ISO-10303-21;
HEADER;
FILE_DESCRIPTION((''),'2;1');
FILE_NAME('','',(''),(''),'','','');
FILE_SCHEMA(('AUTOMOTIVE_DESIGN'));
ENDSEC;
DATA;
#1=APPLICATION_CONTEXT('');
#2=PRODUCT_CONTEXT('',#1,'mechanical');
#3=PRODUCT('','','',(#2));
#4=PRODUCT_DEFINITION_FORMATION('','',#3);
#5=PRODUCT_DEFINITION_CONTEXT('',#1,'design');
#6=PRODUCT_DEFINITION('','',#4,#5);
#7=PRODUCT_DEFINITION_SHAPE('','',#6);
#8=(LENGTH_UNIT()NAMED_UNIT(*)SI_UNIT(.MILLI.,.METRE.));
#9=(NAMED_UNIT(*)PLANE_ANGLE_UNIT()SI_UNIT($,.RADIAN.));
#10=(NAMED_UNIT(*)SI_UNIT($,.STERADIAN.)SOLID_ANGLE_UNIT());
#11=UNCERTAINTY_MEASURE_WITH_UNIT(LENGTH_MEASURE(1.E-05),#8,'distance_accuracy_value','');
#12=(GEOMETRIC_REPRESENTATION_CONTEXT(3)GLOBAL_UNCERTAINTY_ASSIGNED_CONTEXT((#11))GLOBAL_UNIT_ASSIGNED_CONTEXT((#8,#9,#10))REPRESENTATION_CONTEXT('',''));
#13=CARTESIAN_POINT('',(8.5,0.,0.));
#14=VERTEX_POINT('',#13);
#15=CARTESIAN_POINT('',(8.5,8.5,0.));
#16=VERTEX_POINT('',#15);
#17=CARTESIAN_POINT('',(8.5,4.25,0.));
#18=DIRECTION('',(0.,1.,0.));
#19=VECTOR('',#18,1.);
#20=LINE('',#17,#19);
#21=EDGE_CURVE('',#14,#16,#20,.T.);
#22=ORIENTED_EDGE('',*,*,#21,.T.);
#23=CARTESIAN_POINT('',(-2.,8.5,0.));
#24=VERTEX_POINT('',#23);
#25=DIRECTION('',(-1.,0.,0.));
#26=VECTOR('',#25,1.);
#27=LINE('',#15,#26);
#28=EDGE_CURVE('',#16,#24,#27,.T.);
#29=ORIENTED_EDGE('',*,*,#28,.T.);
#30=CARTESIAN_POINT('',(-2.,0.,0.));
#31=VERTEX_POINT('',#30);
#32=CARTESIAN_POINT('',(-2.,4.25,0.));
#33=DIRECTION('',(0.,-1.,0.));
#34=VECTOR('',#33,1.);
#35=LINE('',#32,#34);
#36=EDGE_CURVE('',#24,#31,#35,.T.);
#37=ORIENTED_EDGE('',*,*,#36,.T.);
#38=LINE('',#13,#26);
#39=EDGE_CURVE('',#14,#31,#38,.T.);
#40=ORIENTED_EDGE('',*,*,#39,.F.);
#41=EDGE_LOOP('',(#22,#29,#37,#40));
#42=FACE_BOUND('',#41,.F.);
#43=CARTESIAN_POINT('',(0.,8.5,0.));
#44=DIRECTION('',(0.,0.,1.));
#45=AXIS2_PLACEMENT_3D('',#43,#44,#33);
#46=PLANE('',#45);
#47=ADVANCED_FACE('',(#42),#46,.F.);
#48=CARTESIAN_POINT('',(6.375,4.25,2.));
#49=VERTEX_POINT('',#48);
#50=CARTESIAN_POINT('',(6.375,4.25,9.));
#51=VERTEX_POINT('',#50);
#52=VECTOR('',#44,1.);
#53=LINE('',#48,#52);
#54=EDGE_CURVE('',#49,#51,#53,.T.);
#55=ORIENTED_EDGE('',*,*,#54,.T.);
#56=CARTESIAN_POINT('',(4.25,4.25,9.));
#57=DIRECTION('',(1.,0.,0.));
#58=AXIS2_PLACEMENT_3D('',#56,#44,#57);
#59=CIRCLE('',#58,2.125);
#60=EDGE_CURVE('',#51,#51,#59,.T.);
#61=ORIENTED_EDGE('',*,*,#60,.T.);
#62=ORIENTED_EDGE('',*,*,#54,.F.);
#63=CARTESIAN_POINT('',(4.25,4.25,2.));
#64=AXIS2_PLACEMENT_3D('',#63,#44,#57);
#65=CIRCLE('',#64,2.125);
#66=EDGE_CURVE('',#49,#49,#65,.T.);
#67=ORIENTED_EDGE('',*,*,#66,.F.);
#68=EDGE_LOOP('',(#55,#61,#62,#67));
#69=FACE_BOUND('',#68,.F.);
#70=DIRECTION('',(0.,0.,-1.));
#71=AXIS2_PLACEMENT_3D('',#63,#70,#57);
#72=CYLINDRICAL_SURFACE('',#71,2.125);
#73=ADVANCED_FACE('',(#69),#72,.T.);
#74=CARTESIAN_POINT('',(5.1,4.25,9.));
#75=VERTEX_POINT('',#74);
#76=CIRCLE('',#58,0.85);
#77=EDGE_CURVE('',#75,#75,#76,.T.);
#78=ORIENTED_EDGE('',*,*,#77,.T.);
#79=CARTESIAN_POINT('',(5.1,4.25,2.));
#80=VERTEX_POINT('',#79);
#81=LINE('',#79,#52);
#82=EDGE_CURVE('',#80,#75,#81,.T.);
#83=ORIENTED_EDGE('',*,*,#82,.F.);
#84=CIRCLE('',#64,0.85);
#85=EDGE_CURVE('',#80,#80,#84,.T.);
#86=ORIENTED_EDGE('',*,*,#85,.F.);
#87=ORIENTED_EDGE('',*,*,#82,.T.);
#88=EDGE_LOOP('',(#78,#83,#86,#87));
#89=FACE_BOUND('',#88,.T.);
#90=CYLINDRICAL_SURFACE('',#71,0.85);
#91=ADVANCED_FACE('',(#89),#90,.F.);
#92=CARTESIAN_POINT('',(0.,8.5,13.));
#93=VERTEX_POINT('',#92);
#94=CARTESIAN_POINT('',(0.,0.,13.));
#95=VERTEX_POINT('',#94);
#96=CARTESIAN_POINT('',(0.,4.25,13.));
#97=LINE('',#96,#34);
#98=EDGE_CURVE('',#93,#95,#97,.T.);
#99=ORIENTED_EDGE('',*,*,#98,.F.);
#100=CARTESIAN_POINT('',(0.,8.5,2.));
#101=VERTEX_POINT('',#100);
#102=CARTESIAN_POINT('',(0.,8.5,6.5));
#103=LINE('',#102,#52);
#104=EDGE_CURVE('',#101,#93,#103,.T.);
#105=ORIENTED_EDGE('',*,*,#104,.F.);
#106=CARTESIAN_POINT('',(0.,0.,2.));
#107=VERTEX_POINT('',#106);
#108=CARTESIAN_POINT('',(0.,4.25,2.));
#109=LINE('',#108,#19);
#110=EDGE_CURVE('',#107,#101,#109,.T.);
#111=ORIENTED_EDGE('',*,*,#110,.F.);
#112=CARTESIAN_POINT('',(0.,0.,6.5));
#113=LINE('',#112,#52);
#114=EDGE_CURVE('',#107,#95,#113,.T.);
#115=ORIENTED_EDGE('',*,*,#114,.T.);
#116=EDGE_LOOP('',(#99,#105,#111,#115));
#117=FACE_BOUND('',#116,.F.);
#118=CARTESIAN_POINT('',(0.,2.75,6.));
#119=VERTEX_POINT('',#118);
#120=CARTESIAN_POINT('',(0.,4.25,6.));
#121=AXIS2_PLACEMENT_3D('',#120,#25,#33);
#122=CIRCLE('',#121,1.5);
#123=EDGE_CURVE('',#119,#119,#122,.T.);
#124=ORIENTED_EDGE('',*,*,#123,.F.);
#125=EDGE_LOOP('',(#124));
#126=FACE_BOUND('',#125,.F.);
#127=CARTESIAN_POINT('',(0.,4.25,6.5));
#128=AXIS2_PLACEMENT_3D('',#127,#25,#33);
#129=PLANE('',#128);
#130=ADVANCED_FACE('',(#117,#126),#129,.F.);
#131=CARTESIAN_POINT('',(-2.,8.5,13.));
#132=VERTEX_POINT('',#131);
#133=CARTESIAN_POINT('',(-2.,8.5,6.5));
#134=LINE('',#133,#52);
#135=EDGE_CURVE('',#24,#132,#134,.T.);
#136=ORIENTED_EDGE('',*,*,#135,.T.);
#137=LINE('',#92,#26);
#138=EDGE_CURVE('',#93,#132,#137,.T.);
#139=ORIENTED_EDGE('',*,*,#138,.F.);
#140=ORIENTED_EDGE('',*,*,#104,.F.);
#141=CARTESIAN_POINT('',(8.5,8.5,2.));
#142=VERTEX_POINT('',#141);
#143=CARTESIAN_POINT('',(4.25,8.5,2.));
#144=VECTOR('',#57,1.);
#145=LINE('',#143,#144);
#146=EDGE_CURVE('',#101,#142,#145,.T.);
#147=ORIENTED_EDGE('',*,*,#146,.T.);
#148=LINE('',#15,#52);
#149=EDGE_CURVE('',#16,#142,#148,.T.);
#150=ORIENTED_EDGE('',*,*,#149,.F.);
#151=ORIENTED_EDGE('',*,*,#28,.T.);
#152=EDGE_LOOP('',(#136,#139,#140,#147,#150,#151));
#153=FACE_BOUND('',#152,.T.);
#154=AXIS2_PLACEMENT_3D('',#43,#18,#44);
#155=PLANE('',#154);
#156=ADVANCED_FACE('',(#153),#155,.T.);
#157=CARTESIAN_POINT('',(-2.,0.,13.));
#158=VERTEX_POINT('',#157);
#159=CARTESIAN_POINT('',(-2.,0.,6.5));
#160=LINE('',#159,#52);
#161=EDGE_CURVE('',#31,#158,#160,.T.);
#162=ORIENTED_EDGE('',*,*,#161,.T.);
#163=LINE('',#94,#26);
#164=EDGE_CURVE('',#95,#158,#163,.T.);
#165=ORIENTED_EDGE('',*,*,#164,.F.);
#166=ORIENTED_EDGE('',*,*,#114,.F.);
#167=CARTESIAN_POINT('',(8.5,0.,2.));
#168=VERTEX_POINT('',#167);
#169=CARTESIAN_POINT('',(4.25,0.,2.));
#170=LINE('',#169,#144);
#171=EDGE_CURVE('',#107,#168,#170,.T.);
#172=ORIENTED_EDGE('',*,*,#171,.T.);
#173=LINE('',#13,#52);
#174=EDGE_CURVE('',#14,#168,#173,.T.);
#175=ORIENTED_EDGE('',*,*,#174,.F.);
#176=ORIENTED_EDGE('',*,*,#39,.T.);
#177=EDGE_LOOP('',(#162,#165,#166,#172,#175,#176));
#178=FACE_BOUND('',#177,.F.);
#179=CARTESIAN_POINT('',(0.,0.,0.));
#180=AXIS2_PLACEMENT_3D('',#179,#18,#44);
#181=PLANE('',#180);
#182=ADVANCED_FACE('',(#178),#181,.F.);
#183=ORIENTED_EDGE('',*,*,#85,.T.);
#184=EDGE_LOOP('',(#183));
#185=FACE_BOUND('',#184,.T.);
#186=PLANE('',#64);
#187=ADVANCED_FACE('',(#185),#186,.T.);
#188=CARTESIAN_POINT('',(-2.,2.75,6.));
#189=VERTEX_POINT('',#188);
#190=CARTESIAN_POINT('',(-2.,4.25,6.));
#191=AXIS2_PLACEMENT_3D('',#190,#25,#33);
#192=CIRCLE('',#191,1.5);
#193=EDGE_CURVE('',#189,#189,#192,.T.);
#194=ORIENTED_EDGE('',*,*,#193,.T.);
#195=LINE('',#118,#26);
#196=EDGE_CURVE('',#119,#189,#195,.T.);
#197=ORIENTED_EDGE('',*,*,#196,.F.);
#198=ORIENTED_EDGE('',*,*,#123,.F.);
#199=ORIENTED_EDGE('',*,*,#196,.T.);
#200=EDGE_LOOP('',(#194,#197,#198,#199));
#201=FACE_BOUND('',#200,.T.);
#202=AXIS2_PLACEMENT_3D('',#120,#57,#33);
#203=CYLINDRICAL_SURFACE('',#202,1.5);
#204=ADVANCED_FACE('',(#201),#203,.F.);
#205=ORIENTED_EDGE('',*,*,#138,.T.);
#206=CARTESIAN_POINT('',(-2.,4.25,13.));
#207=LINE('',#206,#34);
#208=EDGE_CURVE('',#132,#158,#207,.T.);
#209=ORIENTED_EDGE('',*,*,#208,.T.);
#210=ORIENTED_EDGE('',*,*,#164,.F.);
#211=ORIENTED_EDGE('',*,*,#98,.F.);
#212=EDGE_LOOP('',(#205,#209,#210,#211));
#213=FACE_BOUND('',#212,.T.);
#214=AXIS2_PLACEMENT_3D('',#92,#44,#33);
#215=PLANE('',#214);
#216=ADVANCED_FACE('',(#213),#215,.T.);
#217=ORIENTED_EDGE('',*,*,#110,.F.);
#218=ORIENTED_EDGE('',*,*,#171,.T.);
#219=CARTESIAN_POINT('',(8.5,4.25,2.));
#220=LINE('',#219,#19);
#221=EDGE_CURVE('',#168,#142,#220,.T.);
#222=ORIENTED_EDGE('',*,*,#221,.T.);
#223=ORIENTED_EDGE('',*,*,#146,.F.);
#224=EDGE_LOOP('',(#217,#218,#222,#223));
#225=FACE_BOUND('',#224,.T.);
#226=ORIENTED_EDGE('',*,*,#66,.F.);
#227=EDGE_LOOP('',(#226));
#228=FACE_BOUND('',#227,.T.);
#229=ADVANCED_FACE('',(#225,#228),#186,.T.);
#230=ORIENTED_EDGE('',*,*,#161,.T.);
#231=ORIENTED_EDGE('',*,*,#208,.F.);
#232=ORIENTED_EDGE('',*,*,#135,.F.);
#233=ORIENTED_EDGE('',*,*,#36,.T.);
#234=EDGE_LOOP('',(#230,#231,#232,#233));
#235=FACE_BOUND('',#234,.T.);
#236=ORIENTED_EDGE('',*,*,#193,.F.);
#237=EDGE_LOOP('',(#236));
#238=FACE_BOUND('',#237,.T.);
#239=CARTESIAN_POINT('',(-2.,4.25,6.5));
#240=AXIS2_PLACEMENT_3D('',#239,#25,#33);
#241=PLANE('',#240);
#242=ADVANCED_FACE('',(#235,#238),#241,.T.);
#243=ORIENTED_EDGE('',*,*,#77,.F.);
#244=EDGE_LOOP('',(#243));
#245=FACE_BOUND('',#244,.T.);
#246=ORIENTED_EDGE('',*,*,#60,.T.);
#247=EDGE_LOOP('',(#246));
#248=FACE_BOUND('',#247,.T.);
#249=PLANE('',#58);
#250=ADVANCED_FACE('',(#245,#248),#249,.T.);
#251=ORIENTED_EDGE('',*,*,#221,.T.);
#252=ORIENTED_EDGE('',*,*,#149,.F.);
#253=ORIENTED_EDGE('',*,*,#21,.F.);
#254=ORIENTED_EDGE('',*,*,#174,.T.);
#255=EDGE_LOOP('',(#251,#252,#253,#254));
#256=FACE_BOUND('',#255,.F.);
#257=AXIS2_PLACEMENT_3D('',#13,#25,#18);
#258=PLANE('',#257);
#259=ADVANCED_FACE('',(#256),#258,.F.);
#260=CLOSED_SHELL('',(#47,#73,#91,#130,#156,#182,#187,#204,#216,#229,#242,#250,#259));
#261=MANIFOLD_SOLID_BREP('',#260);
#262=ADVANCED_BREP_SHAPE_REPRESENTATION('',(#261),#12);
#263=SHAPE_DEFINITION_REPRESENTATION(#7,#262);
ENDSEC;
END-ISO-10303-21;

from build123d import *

# Parameters (mm, degrees)
SKETCH007_W   = 8.5
SKETCH007_H   = 8.5
PAD005_DEPTH  = 2
SKETCH008_R   = 2.125
SKETCH008_R_2 = 0.85
PAD006_DEPTH  = 7
SKETCH009_W   = 8.5
SKETCH009_H   = 13
SKETCH009_R   = 1.5
PAD007_DEPTH  = 2


with BuildPart() as part:
    # Sketch007 → Pad005 (new body)
    with BuildSketch(Plane.XY):
        with Locations((4.25, 4.25)):
            Rectangle(SKETCH007_W, SKETCH007_H)
    extrude(amount=PAD005_DEPTH)

    # Sketch008 (on Face6 of Pad005) → Pad006 (join)
    with BuildSketch(Plane.XY.offset(2)):
        with Locations((4.25, 4.25)):
            Circle(SKETCH008_R)
        with Locations((4.25, 4.25)):
            Circle(SKETCH008_R_2, mode=Mode.SUBTRACT)
    extrude(amount=PAD006_DEPTH)

    # Sketch009 (on Face2 of Pad006) → Pad007 (join)
    with BuildSketch(Plane(origin=(0, 0, 0), x_dir=(0, -1, 0), z_dir=(-1, 0, 0))):
        with Locations((-4.25, 6.5)):
            Rectangle(SKETCH009_W, SKETCH009_H)
        with Locations((-4.25, 6)):
            Circle(SKETCH009_R, mode=Mode.SUBTRACT)
    extrude(amount=PAD007_DEPTH)


solid = part.part
